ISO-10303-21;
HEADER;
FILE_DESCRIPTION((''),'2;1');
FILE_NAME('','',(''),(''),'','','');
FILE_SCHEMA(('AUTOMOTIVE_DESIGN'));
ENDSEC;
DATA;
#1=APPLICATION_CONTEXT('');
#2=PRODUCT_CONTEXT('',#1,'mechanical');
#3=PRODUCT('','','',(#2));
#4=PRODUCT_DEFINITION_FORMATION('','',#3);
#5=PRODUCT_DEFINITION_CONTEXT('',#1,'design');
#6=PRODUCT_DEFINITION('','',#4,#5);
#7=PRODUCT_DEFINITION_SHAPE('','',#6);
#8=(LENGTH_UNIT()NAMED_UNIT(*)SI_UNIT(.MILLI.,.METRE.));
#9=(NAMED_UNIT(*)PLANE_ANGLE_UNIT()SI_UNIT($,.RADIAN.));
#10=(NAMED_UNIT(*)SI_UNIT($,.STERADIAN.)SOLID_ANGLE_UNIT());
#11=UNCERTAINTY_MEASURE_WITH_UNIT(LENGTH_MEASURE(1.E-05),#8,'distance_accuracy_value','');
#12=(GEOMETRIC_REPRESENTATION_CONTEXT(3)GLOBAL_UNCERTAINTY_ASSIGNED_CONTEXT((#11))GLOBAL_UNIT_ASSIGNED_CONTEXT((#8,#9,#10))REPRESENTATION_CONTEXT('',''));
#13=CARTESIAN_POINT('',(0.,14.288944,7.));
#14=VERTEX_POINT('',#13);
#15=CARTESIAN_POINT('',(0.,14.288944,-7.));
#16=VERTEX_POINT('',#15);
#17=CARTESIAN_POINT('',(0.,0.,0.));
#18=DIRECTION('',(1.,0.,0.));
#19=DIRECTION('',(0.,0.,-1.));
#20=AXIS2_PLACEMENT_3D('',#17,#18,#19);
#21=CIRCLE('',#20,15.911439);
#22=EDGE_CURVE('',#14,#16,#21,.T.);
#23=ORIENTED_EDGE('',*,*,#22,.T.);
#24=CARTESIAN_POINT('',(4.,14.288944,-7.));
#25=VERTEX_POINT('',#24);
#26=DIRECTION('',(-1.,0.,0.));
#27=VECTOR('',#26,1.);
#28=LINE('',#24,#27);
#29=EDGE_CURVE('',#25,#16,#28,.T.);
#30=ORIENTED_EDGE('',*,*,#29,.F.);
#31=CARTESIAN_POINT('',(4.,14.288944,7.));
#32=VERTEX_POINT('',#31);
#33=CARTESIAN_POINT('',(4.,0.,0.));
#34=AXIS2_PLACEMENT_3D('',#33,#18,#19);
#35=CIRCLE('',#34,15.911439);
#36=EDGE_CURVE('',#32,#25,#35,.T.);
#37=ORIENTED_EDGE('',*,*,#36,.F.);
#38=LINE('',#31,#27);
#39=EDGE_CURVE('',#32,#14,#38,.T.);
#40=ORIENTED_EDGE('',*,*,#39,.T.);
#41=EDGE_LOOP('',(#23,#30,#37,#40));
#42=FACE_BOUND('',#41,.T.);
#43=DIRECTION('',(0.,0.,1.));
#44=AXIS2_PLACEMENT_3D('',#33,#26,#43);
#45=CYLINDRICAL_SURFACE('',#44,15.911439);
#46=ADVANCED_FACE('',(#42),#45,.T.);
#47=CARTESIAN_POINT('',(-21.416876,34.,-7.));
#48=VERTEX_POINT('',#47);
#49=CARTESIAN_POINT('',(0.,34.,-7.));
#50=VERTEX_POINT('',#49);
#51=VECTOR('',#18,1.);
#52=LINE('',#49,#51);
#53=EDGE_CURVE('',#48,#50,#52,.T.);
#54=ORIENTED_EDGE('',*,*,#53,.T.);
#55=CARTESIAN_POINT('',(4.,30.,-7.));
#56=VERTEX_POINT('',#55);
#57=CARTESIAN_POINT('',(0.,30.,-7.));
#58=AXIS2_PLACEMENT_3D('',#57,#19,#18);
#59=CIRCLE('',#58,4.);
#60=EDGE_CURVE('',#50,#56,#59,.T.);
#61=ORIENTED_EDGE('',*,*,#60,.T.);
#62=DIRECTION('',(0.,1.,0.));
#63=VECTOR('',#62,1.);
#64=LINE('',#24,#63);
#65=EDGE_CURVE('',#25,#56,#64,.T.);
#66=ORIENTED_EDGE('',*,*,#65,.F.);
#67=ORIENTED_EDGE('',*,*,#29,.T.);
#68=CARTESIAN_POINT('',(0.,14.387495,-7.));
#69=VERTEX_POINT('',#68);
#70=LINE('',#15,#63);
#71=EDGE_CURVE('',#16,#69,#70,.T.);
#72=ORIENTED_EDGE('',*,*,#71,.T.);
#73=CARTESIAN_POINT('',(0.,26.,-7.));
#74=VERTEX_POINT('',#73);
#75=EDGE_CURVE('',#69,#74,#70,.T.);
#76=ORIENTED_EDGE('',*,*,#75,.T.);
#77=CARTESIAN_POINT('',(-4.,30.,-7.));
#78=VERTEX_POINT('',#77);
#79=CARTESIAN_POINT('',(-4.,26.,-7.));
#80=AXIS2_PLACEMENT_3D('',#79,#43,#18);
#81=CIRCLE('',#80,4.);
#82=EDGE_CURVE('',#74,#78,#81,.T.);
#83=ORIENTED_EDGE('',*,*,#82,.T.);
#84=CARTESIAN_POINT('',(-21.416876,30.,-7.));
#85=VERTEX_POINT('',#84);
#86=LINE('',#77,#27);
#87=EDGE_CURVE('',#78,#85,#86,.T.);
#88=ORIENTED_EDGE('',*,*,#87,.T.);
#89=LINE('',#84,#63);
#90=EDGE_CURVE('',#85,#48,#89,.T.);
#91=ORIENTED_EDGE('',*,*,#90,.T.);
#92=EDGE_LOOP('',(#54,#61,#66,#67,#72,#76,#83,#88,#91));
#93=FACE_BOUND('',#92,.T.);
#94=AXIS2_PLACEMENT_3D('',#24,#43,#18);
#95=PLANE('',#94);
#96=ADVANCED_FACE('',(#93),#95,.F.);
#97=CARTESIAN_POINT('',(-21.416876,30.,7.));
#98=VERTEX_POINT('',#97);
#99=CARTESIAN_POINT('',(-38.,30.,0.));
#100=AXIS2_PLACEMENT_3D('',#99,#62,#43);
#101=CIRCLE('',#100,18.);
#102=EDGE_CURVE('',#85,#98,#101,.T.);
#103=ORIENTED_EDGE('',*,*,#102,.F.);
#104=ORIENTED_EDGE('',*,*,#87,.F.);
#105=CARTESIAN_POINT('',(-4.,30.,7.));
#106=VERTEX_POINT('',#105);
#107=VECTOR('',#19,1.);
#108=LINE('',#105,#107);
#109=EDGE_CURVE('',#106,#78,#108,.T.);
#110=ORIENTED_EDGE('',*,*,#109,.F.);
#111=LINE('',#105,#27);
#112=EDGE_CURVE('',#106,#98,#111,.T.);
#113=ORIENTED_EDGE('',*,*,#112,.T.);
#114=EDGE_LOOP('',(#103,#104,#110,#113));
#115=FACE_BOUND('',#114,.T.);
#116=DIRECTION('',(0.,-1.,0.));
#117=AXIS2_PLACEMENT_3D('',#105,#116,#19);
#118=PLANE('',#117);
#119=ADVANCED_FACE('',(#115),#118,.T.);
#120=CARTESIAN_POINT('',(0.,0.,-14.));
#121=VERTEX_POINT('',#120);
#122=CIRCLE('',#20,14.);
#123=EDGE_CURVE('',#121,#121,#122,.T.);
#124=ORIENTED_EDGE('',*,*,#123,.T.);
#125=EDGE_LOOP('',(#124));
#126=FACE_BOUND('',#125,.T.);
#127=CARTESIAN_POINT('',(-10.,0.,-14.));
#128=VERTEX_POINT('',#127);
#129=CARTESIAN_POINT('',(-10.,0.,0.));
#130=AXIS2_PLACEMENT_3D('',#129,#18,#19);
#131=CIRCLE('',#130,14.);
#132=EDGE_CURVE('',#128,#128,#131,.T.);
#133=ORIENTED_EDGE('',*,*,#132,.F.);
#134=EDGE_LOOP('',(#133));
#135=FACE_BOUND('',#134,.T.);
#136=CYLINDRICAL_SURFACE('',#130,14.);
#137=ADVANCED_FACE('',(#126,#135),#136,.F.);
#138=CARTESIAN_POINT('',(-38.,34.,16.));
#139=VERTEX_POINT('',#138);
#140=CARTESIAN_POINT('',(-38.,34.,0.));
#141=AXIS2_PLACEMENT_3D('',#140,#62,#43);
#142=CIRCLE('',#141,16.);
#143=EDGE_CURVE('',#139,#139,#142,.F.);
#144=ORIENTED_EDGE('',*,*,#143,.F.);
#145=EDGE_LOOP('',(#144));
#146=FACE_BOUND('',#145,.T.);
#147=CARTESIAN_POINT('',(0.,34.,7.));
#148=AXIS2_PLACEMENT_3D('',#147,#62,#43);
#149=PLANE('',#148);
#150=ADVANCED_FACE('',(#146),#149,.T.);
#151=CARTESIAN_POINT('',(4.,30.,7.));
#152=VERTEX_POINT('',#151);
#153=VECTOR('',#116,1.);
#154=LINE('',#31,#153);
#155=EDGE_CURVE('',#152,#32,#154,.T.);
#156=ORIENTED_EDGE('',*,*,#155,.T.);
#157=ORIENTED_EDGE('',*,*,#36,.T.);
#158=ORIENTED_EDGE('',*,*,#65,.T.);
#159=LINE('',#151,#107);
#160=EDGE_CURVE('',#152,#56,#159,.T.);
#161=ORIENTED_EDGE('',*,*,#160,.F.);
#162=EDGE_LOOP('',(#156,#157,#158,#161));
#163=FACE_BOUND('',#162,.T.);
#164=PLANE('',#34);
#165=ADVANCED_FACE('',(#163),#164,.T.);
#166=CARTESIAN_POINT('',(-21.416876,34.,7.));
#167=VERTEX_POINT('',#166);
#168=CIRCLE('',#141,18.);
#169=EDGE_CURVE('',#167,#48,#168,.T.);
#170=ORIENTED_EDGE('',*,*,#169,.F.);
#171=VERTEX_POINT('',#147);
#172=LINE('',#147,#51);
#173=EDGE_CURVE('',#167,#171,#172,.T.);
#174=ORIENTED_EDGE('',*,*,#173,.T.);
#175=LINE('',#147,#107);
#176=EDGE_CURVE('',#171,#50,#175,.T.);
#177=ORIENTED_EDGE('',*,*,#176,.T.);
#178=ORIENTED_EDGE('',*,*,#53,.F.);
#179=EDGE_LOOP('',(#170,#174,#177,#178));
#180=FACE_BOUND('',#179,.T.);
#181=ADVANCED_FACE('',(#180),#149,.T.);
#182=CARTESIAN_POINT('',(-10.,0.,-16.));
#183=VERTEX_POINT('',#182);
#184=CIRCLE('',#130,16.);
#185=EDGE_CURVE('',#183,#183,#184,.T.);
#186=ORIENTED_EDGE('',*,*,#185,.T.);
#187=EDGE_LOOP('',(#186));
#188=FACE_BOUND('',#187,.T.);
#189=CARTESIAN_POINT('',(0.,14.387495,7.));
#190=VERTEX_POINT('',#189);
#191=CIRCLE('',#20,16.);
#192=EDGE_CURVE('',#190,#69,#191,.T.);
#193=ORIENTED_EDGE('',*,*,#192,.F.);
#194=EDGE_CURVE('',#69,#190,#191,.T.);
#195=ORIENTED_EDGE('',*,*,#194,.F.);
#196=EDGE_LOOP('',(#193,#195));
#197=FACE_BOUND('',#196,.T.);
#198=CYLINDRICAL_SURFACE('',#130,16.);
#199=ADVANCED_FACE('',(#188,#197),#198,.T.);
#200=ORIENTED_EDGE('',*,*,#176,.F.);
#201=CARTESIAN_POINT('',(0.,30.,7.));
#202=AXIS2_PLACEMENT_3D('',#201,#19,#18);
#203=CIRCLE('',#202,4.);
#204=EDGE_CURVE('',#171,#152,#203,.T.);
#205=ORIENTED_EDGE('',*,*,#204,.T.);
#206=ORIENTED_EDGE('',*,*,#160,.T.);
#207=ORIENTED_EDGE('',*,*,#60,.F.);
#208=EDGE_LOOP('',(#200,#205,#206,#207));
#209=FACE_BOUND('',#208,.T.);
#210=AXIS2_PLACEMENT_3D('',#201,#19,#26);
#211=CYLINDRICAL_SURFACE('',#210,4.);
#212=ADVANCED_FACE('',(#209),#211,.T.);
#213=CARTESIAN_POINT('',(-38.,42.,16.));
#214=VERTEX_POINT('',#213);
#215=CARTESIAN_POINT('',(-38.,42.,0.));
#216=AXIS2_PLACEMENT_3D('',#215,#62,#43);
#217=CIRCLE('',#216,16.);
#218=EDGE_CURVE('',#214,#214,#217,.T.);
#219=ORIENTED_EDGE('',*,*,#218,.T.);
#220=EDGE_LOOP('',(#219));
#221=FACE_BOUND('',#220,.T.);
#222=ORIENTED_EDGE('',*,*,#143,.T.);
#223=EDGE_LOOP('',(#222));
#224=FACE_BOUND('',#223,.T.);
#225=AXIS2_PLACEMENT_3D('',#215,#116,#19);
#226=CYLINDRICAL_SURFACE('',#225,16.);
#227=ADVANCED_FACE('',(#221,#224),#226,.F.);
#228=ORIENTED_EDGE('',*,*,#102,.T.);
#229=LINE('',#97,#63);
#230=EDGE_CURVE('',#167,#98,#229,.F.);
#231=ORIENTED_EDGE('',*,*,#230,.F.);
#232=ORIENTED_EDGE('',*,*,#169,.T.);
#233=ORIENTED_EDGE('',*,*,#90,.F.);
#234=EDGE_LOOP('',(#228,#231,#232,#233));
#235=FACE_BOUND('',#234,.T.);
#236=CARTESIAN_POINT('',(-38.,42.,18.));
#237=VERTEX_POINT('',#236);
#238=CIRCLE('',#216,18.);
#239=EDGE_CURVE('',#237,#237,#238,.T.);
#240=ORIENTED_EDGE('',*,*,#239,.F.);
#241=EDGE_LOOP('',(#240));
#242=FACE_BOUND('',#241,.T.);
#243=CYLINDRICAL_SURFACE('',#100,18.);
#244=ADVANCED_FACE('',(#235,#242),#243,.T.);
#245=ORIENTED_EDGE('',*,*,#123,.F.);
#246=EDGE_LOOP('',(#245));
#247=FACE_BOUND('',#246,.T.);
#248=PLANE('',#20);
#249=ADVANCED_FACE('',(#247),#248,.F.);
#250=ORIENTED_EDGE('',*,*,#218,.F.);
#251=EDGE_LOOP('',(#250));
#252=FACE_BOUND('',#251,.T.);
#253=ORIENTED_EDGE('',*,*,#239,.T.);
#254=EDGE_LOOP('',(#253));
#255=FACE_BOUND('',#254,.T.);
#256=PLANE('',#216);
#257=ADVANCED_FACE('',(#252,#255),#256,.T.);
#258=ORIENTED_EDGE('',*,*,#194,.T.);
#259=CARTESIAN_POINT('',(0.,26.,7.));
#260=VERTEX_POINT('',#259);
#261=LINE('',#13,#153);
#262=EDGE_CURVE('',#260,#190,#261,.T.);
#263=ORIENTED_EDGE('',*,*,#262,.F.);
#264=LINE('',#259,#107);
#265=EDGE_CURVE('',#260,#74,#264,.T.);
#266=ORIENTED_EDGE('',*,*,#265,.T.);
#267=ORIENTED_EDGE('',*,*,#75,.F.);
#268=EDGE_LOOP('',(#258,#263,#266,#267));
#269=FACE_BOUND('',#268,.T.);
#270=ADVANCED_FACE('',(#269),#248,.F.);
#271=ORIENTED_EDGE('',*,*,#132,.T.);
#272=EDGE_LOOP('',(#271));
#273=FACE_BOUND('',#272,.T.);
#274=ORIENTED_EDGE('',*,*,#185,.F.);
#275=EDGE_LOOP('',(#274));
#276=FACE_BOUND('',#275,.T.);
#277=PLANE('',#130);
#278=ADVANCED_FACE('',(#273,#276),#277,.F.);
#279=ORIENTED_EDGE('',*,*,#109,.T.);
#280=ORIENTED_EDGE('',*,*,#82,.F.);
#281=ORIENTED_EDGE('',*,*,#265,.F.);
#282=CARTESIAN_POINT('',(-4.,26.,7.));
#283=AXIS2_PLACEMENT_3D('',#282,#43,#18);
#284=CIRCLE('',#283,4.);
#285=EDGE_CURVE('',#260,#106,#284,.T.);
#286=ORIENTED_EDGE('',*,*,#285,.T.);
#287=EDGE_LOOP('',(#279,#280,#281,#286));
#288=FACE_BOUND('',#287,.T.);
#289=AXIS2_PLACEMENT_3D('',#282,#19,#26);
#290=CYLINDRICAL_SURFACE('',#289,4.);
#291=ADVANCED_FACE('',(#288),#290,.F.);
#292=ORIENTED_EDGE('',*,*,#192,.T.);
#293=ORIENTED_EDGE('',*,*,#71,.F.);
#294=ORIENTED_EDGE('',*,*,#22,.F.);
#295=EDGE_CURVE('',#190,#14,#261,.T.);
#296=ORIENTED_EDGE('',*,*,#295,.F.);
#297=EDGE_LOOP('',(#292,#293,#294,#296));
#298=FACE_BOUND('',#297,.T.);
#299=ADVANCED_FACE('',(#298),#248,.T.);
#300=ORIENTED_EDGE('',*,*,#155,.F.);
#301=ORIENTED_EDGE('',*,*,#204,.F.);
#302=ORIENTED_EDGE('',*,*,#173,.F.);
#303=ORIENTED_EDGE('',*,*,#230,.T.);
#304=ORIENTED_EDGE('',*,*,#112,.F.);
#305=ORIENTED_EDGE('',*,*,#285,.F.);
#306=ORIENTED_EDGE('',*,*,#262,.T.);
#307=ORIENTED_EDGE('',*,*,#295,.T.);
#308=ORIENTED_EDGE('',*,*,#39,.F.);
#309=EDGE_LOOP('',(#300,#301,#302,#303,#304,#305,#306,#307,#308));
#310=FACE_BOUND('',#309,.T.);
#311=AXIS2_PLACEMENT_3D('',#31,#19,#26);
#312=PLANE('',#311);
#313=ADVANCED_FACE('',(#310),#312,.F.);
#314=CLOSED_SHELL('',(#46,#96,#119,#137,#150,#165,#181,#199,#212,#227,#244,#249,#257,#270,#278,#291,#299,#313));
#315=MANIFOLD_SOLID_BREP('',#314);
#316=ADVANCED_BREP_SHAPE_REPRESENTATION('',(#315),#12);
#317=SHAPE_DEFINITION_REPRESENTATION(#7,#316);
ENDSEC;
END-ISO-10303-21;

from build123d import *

# Parameters (mm, degrees)
SKETCH1_R           = 16
SKETCH1_R_2         = 14
BOSS_EXTRUDE1_DEPTH = 10
BOSS_EXTRUDE2_DEPTH = 4
BOSS_EXTRUDE3_DEPTH = 14
SKETCH4_R           = 18
BOSS_EXTRUDE4_DEPTH = 4
SKETCH5_R           = 18
SKETCH5_R_2         = 16
BOSS_EXTRUDE5_DEPTH = 8


with BuildPart() as part:
    # Sketch1 → Boss-Extrude1 (new body)
    with BuildSketch(Plane(origin=(0, 0, 0), x_dir=(0, 0, -1), z_dir=(1, 0, 0))):
        Circle(SKETCH1_R)
        Circle(SKETCH1_R_2, mode=Mode.SUBTRACT)
    extrude(amount=-BOSS_EXTRUDE1_DEPTH)

    # Sketch2 → Boss-Extrude2 (add)
    with BuildSketch(Plane(origin=(0, 0, 0), x_dir=(0, 0, -1), z_dir=(1, 0, 0))):
        with BuildLine():
            Line((-7, 14.288943502), (-7, 20))
            Line((-7, 20), (7, 20))
            Line((7, 20), (7, 14.288943502))
            ThreePointArc((7, 14.288943502), (0, -15.911439483), (-7, 14.288943502))
        make_face()
    extrude(amount=BOSS_EXTRUDE2_DEPTH)

    # Sketch3 → Boss-Extrude3 (add)
    with BuildSketch(Plane(origin=(0, 0, -7), x_dir=(-1, 0, 0), z_dir=(0, 0, -1))):
        with BuildLine():
            Line((0, 20), (-4, 20))
            Line((-4, 20), (-4, 30))
            ThreePointArc((-4, 30), (-2.828427125, 32.828427125), (0, 34))
            Line((0, 34), (38, 34))
            Line((38, 34), (38, 30))
            Line((38, 30), (4, 30))
            ThreePointArc((4, 30), (1.171572875, 28.828427125), (0, 26))
            Line((0, 26), (0, 20))
        make_face()
    extrude(amount=-BOSS_EXTRUDE3_DEPTH)

    # Sketch4 → Boss-Extrude4 (add)
    with BuildSketch(Plane(origin=(0, 34, 0), x_dir=(1, 0, 0), z_dir=(0, 1, 0))):
        with Locations((-38, 0)):
            Circle(SKETCH4_R)
    extrude(amount=-BOSS_EXTRUDE4_DEPTH)

    # Sketch5 → Boss-Extrude5 (add)
    with BuildSketch(Plane(origin=(0, 34, 0), x_dir=(1, 0, 0), z_dir=(0, 1, 0))):
        with Locations((-38, 0)):
            Circle(SKETCH5_R)
        with Locations((-38, 0)):
            Circle(SKETCH5_R_2, mode=Mode.SUBTRACT)
    extrude(amount=BOSS_EXTRUDE5_DEPTH)


solid = part.part
